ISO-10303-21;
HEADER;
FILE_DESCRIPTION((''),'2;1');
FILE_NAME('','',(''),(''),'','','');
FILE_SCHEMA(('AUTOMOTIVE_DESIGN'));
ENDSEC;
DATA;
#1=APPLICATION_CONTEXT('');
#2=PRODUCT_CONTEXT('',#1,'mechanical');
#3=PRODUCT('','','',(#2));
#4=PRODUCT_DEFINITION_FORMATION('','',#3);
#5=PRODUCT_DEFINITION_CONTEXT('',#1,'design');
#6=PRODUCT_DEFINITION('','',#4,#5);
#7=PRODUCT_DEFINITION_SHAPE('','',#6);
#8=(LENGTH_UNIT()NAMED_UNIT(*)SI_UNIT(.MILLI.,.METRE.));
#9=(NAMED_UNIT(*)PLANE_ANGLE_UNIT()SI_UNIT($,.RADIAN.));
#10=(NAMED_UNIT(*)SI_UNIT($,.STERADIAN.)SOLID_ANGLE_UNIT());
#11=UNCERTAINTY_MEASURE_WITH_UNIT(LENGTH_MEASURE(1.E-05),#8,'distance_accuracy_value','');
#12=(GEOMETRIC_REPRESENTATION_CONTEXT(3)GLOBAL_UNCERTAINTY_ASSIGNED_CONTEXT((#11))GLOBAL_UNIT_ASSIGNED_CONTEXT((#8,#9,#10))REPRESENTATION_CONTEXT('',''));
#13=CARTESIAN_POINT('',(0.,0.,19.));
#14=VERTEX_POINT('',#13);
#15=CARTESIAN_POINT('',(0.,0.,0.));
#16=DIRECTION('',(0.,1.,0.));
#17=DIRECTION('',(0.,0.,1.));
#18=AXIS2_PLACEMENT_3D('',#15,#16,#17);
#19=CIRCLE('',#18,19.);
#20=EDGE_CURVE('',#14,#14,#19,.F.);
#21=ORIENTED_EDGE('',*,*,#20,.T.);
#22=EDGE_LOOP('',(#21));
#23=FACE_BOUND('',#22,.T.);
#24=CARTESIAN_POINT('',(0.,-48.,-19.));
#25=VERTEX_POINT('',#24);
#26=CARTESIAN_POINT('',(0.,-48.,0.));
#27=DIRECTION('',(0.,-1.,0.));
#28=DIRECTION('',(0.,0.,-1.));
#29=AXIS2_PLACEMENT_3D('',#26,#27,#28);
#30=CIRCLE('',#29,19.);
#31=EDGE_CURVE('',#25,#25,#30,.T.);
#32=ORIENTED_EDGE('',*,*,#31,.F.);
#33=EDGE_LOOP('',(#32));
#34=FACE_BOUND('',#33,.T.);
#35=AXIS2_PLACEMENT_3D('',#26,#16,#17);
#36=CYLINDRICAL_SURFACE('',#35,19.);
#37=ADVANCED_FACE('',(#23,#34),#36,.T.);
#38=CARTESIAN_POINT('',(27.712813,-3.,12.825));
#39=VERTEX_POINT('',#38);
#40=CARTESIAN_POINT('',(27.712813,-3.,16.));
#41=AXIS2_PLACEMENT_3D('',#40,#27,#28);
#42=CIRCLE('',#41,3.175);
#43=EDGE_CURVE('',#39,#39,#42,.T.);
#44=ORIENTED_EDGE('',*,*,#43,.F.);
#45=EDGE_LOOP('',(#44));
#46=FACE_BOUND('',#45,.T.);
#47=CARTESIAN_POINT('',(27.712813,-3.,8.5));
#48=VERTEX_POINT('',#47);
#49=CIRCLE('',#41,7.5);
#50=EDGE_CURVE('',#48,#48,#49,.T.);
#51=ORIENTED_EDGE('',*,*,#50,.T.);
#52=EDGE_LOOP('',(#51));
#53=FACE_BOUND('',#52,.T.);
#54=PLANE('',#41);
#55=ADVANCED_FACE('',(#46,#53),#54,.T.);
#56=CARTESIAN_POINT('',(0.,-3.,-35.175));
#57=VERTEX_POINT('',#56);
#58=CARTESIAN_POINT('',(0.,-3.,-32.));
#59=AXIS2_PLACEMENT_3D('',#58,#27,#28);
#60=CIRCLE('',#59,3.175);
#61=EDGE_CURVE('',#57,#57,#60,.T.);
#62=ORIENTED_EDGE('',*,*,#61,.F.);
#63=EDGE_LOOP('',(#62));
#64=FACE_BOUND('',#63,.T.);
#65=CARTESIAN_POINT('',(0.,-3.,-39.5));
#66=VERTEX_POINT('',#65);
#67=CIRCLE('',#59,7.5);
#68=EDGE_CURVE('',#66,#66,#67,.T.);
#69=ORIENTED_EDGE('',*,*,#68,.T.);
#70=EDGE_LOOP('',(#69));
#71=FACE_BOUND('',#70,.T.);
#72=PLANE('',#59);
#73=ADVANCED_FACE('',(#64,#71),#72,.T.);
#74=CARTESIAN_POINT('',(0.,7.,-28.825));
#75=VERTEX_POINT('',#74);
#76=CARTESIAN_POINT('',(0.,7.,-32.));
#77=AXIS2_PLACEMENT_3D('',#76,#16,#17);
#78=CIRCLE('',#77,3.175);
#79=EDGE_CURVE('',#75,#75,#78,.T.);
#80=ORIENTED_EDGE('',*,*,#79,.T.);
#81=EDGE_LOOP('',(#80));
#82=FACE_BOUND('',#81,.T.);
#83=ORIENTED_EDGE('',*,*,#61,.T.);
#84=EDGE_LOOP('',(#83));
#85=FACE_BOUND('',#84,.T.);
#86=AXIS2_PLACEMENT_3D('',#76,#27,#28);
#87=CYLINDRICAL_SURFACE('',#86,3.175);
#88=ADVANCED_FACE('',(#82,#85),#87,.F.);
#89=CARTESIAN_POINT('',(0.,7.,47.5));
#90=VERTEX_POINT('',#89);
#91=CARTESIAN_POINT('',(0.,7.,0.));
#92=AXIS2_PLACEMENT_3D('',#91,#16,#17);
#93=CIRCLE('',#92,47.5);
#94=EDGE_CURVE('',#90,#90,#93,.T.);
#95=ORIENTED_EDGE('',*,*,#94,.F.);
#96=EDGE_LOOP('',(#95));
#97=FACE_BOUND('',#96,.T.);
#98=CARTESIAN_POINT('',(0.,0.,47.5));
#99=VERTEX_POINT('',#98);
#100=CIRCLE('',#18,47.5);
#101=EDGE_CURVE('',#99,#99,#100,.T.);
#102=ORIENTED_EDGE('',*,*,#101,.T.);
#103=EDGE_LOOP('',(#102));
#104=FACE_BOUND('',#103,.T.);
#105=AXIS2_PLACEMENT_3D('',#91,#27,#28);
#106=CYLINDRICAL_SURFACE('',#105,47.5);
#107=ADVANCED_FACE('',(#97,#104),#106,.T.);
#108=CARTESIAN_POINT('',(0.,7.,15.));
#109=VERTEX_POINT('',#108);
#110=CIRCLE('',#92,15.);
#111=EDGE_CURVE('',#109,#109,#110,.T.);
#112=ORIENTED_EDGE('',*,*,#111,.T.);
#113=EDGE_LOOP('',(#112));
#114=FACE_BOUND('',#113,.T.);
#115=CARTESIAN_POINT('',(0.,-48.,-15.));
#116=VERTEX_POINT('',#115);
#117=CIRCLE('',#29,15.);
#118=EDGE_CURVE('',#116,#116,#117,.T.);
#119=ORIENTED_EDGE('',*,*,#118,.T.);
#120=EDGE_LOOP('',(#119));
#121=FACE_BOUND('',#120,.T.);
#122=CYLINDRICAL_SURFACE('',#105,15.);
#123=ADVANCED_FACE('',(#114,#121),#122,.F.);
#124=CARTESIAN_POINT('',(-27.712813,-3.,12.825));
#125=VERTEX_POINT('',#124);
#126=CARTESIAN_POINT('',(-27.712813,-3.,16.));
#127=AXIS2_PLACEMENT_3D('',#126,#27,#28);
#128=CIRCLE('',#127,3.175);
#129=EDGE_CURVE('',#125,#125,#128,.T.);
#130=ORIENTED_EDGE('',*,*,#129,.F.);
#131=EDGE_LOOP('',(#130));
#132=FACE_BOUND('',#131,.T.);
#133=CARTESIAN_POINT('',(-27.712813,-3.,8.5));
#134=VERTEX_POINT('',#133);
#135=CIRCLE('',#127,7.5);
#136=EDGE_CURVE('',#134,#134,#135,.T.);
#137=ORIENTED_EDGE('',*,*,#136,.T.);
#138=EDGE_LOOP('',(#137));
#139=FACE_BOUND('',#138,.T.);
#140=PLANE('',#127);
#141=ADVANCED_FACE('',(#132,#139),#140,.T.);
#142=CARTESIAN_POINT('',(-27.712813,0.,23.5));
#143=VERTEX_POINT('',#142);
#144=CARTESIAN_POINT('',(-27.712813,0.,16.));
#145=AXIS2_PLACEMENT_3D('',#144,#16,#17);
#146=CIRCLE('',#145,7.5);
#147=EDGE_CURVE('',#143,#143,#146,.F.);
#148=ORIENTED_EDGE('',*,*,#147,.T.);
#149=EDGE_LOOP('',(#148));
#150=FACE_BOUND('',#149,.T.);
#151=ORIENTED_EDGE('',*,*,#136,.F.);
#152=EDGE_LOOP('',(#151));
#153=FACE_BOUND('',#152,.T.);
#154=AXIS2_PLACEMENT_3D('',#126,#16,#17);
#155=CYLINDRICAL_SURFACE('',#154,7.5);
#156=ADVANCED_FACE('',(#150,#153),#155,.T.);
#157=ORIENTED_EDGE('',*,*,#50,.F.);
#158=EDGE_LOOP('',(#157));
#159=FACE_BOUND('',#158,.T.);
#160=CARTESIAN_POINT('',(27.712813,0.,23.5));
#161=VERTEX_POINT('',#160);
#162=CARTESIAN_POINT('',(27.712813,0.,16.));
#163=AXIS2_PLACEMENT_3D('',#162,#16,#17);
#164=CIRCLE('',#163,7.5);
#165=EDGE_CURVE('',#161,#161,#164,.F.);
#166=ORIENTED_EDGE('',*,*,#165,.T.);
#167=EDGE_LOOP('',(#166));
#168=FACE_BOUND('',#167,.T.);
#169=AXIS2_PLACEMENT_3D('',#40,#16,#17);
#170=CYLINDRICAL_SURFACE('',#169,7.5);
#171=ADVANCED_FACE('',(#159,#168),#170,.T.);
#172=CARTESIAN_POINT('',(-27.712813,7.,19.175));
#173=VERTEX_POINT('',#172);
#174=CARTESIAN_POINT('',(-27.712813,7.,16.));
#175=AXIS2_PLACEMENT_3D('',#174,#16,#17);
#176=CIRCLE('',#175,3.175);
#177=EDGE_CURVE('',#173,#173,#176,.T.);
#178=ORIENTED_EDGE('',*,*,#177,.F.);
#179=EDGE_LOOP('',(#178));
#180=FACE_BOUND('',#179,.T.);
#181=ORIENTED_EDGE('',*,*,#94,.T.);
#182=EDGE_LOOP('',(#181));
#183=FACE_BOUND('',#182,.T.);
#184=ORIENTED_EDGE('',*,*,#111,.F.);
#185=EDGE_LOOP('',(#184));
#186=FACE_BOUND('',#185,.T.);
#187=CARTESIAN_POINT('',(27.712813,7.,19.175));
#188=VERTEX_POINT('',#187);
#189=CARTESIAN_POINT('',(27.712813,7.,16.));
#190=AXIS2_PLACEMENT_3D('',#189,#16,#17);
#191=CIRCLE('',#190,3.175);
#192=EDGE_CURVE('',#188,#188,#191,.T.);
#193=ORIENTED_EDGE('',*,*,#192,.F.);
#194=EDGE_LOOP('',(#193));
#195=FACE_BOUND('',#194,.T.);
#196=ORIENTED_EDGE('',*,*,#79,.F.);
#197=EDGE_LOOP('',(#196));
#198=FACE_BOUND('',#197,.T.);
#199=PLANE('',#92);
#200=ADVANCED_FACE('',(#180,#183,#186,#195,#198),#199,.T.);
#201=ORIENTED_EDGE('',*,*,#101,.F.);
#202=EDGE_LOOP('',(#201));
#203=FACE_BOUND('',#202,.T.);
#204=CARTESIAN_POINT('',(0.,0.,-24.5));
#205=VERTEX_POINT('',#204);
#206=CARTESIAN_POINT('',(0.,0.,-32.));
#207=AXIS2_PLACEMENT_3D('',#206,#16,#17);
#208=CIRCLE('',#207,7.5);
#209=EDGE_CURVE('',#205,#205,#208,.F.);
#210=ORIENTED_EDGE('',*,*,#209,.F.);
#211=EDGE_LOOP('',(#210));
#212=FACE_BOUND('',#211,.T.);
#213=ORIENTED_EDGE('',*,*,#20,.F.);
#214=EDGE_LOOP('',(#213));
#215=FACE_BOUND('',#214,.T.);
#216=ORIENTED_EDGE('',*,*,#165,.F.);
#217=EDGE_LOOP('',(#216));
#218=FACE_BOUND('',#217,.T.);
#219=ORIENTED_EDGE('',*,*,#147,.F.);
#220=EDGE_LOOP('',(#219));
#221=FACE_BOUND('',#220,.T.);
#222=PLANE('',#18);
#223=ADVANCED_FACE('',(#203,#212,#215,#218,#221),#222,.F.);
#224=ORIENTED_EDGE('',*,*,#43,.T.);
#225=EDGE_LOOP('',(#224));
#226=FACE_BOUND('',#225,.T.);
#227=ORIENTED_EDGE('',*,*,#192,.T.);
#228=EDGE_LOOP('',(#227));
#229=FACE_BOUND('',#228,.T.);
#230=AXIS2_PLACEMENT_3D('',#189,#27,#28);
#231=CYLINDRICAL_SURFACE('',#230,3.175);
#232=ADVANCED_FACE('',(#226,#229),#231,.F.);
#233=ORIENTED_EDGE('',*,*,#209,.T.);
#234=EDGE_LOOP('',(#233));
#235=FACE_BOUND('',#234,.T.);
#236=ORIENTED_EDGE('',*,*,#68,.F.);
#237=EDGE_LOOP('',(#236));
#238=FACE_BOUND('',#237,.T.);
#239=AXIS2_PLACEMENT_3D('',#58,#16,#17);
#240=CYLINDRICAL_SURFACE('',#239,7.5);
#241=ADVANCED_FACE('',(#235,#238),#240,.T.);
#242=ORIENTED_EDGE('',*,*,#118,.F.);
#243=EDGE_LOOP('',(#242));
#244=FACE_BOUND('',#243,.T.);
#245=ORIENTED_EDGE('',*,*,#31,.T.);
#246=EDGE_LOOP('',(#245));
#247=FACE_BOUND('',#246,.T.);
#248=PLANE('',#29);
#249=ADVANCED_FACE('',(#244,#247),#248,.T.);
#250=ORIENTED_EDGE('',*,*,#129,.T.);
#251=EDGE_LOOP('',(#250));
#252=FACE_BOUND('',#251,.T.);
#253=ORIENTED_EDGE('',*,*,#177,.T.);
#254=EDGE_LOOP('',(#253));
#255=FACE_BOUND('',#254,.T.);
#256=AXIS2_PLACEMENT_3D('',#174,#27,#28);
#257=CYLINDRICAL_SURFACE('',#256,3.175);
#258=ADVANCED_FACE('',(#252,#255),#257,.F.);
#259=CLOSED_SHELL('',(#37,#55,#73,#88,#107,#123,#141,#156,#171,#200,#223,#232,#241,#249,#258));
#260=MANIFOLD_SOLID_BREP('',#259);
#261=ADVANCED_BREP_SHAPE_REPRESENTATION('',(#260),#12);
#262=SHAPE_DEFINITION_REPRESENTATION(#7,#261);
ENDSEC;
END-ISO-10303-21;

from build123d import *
from build123d.topology import SkipClean

# Parameters (mm, degrees)
CROQUIS1_R              = 47.5
CROQUIS1_R_2            = 3.175
CROQUIS1_R_3            = 15
SALIENTE_EXTRUIR1_DEPTH = 7
SALIENTE_EXTRUIR2_START = 48
CROQUIS2_R              = 19
CROQUIS2_R_2            = 15
SALIENTE_EXTRUIR2_DEPTH = 48
SALIENTE_EXTRUIR3_START = 3
CROQUIS3_R              = 7.5
CROQUIS3_R_2            = 3.175
SALIENTE_EXTRUIR3_DEPTH = 3


with BuildPart() as part:
    # Croquis1 → Saliente-Extruir1 (new body)
    with BuildSketch(Plane(origin=(0, 0, 0), x_dir=(1, 0, 0), z_dir=(0, 1, 0))):
        with Locations(Location((0, 0, 0), (0, 0, 270))):
            Circle(CROQUIS1_R)
        with Locations(Location((0, 32, 0), (0, 0, 270))):
            Circle(CROQUIS1_R_2, mode=Mode.SUBTRACT)
        with Locations(Location((27.712812921, -16, 0), (0, 0, 270))):
            Circle(CROQUIS1_R_2, mode=Mode.SUBTRACT)
        with Locations(Location((-27.712812921, -16, 0), (0, 0, 270))):
            Circle(CROQUIS1_R_2, mode=Mode.SUBTRACT)
        with Locations(Location((0, 0, 0), (0, 0, 270))):
            Circle(CROQUIS1_R_3, mode=Mode.SUBTRACT)
    extrude(amount=SALIENTE_EXTRUIR1_DEPTH)

    # Croquis2 → Saliente-Extruir2 (add)
    with SkipClean():  # the faces are left unmerged after this step: merging them gives an invalid solid
        with BuildSketch(Plane.XZ.offset(SALIENTE_EXTRUIR2_START)):
            with Locations(Location((0, 0, 0), (0, 0, 90))):
                Circle(CROQUIS2_R)
            with Locations(Location((0, 0, 0), (0, 0, 270))):
                Circle(CROQUIS2_R_2, mode=Mode.SUBTRACT)
        extrude(amount=-SALIENTE_EXTRUIR2_DEPTH)

    # Croquis3 → Saliente-Extruir3 (add)
    # profile 1 of 3: a face of its own
    with SkipClean():  # the faces are left unmerged after this step: merging them gives an invalid solid
        with BuildSketch(Plane.XZ.offset(SALIENTE_EXTRUIR3_START)):
            with Locations(Location((-27.712812921, 16, 0), (0, 0, 90))):
                Circle(CROQUIS3_R)
            with Locations(Location((-27.712812921, 16, 0), (0, 0, 270))):
                Circle(CROQUIS3_R_2, mode=Mode.SUBTRACT)
        # profile 2 of 3: a face of its own
        with BuildSketch(Plane.XZ.offset(SALIENTE_EXTRUIR3_START)):
            with Locations(Location((27.712812921, 16, 0), (0, 0, 90))):
                Circle(CROQUIS3_R)
            with Locations(Location((27.712812921, 16, 0), (0, 0, 270))):
                Circle(CROQUIS3_R_2, mode=Mode.SUBTRACT)
        # profile 3 of 3: a face of its own
        with BuildSketch(Plane.XZ.offset(SALIENTE_EXTRUIR3_START)):
            with Locations(Location((0, -32, 0), (0, 0, 90))):
                Circle(CROQUIS3_R)
            with Locations(Location((0, -32, 0), (0, 0, 270))):
                Circle(CROQUIS3_R_2, mode=Mode.SUBTRACT)
        extrude(amount=-SALIENTE_EXTRUIR3_DEPTH)


solid = part.part
